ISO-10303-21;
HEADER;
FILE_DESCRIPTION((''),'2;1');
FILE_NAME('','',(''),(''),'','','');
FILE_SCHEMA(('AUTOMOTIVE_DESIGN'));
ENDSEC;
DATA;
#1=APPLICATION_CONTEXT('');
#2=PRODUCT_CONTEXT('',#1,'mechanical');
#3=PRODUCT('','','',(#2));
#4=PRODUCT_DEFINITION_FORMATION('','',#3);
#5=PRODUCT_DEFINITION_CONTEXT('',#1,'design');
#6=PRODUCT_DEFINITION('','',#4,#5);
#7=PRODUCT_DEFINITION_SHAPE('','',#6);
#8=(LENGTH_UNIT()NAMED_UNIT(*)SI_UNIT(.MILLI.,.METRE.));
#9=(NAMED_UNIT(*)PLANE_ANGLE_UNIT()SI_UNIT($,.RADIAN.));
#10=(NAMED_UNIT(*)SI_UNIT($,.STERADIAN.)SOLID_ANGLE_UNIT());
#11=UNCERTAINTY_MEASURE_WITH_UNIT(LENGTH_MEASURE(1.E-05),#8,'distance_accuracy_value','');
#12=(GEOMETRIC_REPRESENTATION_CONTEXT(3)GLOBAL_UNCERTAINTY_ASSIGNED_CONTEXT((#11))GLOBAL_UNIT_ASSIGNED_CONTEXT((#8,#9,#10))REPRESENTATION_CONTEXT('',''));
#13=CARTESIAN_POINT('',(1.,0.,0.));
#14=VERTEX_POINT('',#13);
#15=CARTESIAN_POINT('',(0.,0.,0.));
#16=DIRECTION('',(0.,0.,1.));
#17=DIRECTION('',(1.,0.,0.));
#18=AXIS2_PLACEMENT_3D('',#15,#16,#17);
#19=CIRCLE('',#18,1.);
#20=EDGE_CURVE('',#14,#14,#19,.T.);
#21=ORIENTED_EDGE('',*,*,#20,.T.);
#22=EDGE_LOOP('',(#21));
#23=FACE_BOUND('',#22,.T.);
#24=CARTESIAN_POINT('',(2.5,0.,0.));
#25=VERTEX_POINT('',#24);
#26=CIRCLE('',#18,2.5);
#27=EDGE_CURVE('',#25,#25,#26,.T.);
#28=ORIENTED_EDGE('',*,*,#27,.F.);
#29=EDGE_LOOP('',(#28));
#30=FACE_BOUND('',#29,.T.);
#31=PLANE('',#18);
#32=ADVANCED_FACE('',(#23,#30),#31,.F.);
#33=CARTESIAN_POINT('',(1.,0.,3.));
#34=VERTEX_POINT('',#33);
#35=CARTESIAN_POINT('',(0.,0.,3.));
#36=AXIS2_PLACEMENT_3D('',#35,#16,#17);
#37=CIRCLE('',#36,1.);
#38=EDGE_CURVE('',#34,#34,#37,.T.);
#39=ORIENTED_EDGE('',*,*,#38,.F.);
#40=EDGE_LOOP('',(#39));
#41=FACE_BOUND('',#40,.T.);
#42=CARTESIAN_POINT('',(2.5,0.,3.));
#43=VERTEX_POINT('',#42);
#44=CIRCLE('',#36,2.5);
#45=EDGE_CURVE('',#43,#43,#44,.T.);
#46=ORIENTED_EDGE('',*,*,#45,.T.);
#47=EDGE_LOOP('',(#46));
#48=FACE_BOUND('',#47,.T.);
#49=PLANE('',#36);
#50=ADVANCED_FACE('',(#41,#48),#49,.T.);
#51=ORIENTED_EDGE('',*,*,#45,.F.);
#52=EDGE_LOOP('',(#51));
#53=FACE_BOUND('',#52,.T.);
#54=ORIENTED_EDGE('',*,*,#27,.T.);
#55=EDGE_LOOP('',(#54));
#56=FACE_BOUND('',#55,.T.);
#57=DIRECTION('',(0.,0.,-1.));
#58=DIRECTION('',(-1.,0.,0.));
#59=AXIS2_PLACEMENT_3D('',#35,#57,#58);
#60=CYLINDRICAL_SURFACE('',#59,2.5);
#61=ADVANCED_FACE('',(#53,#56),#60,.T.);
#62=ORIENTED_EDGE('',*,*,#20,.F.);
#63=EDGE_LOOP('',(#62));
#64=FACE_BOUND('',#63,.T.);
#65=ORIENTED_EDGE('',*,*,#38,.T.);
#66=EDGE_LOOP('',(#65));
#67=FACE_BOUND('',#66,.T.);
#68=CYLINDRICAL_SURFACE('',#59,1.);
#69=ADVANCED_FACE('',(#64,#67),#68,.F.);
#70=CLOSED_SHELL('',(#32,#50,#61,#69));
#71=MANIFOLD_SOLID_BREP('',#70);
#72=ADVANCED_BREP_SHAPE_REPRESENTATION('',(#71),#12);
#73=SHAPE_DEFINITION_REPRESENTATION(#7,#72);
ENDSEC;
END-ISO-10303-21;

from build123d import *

# Parameters (mm, degrees)
IZIM1_R                     = 2.5
IZIM1_R_2                   = 1
Y_KSEKLIK_EKSTR_ZYON1_DEPTH = 3


with BuildPart() as part:
    # Çizim1 → Yükseklik-Ekstrüzyon1 (new body)
    with BuildSketch(Plane.XY):
        Circle(IZIM1_R)
        Circle(IZIM1_R_2, mode=Mode.SUBTRACT)
    extrude(amount=Y_KSEKLIK_EKSTR_ZYON1_DEPTH)


solid = part.part
